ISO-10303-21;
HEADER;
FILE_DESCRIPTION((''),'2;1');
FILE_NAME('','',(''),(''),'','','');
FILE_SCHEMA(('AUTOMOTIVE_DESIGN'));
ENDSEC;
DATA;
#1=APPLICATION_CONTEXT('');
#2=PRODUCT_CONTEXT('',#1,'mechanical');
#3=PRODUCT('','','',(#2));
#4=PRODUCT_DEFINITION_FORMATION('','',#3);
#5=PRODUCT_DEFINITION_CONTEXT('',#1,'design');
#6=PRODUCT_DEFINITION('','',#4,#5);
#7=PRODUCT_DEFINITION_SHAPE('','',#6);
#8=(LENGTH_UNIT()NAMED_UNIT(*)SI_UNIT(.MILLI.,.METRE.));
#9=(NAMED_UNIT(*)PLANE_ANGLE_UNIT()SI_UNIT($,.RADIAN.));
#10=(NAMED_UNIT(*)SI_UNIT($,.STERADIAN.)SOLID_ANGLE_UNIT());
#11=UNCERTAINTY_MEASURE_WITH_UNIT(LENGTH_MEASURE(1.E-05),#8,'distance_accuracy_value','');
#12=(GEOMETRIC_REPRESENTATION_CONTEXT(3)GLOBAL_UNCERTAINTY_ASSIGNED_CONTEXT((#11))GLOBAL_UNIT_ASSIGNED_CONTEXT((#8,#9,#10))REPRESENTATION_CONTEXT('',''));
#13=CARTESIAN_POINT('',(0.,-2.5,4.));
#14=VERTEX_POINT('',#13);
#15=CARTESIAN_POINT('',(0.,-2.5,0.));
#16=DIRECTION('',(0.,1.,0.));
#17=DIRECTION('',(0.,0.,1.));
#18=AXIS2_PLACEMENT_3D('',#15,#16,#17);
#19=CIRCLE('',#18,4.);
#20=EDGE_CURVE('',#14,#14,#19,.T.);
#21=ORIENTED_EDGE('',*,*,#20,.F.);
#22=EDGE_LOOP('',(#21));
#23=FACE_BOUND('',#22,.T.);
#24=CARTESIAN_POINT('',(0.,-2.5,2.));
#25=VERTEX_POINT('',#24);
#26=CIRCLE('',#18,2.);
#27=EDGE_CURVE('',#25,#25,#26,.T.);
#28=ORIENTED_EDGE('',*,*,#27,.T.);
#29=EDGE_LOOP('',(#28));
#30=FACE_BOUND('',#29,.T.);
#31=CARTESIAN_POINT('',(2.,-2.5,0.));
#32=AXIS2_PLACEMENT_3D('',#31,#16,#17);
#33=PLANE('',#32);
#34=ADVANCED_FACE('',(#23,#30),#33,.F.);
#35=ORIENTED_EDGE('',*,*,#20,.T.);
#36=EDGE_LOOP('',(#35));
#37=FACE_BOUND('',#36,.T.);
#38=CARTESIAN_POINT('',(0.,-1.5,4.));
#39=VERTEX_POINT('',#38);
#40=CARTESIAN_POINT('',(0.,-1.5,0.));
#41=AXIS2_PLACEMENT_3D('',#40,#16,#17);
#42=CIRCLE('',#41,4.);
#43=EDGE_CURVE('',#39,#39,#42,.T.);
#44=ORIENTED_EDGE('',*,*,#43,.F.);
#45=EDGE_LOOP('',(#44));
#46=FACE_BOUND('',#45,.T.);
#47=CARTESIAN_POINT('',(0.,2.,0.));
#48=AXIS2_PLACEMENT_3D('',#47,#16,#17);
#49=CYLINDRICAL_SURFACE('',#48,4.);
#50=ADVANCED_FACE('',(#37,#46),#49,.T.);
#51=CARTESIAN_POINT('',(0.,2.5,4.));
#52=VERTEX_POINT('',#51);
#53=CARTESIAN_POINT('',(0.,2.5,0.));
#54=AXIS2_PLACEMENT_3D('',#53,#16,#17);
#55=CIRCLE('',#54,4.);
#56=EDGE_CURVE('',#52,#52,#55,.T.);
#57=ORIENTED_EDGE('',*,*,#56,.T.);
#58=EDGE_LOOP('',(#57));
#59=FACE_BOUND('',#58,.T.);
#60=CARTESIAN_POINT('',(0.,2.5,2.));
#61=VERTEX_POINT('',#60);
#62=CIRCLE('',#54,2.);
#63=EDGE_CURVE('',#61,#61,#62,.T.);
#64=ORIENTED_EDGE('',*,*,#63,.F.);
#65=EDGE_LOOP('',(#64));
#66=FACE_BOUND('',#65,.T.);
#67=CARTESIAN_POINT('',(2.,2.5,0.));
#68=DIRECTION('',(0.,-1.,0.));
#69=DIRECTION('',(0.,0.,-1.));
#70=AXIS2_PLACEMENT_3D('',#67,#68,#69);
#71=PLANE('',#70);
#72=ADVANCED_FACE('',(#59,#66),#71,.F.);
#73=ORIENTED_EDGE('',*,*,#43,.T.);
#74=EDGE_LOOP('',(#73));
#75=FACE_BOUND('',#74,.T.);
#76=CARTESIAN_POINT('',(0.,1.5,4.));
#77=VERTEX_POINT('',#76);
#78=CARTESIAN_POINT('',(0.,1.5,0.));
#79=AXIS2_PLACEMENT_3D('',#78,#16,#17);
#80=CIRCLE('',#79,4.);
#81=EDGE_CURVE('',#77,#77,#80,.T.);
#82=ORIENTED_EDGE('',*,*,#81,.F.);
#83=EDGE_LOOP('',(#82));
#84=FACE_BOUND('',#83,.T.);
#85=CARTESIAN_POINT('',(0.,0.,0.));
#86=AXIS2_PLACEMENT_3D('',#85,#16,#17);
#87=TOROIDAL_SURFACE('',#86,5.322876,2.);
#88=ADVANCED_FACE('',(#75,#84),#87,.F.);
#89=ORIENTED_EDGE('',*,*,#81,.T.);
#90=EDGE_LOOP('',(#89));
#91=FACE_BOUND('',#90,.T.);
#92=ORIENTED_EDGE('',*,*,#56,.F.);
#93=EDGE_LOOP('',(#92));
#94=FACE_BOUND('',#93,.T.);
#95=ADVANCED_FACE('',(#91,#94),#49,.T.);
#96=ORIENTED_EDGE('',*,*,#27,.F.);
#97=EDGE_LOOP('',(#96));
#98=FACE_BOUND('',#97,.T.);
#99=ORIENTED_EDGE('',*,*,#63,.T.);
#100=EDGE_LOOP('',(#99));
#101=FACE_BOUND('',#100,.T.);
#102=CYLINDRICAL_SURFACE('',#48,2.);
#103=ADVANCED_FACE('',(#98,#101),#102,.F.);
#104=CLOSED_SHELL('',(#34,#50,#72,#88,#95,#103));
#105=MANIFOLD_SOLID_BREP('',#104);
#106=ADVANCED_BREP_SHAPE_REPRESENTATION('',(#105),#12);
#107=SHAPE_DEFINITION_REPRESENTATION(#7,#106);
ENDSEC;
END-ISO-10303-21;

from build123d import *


with BuildPart() as part:
    # 草图1 → 旋转1 (revolve)
    with BuildSketch(Plane.XY, mode=Mode.PRIVATE) as revolve_1_sk:
        with BuildLine():
            Line((2, -2.5), (2, 2.5))
            Line((2, 2.5), (4, 2.5))
            Line((4, 2.5), (4, 1.5))
            ThreePointArc((4, 1.5), (3.322875656, 0), (4, -1.5))
            Line((4, -1.5), (4, -2.5))
            Line((4, -2.5), (2, -2.5))
        make_face()
    revolve(revolve_1_sk.sketch.rotate(Axis((0, 2, 0), (0, -1, 0)), 90), axis=Axis((0, 2, 0), (0, -1, 0)))


solid = part.part
